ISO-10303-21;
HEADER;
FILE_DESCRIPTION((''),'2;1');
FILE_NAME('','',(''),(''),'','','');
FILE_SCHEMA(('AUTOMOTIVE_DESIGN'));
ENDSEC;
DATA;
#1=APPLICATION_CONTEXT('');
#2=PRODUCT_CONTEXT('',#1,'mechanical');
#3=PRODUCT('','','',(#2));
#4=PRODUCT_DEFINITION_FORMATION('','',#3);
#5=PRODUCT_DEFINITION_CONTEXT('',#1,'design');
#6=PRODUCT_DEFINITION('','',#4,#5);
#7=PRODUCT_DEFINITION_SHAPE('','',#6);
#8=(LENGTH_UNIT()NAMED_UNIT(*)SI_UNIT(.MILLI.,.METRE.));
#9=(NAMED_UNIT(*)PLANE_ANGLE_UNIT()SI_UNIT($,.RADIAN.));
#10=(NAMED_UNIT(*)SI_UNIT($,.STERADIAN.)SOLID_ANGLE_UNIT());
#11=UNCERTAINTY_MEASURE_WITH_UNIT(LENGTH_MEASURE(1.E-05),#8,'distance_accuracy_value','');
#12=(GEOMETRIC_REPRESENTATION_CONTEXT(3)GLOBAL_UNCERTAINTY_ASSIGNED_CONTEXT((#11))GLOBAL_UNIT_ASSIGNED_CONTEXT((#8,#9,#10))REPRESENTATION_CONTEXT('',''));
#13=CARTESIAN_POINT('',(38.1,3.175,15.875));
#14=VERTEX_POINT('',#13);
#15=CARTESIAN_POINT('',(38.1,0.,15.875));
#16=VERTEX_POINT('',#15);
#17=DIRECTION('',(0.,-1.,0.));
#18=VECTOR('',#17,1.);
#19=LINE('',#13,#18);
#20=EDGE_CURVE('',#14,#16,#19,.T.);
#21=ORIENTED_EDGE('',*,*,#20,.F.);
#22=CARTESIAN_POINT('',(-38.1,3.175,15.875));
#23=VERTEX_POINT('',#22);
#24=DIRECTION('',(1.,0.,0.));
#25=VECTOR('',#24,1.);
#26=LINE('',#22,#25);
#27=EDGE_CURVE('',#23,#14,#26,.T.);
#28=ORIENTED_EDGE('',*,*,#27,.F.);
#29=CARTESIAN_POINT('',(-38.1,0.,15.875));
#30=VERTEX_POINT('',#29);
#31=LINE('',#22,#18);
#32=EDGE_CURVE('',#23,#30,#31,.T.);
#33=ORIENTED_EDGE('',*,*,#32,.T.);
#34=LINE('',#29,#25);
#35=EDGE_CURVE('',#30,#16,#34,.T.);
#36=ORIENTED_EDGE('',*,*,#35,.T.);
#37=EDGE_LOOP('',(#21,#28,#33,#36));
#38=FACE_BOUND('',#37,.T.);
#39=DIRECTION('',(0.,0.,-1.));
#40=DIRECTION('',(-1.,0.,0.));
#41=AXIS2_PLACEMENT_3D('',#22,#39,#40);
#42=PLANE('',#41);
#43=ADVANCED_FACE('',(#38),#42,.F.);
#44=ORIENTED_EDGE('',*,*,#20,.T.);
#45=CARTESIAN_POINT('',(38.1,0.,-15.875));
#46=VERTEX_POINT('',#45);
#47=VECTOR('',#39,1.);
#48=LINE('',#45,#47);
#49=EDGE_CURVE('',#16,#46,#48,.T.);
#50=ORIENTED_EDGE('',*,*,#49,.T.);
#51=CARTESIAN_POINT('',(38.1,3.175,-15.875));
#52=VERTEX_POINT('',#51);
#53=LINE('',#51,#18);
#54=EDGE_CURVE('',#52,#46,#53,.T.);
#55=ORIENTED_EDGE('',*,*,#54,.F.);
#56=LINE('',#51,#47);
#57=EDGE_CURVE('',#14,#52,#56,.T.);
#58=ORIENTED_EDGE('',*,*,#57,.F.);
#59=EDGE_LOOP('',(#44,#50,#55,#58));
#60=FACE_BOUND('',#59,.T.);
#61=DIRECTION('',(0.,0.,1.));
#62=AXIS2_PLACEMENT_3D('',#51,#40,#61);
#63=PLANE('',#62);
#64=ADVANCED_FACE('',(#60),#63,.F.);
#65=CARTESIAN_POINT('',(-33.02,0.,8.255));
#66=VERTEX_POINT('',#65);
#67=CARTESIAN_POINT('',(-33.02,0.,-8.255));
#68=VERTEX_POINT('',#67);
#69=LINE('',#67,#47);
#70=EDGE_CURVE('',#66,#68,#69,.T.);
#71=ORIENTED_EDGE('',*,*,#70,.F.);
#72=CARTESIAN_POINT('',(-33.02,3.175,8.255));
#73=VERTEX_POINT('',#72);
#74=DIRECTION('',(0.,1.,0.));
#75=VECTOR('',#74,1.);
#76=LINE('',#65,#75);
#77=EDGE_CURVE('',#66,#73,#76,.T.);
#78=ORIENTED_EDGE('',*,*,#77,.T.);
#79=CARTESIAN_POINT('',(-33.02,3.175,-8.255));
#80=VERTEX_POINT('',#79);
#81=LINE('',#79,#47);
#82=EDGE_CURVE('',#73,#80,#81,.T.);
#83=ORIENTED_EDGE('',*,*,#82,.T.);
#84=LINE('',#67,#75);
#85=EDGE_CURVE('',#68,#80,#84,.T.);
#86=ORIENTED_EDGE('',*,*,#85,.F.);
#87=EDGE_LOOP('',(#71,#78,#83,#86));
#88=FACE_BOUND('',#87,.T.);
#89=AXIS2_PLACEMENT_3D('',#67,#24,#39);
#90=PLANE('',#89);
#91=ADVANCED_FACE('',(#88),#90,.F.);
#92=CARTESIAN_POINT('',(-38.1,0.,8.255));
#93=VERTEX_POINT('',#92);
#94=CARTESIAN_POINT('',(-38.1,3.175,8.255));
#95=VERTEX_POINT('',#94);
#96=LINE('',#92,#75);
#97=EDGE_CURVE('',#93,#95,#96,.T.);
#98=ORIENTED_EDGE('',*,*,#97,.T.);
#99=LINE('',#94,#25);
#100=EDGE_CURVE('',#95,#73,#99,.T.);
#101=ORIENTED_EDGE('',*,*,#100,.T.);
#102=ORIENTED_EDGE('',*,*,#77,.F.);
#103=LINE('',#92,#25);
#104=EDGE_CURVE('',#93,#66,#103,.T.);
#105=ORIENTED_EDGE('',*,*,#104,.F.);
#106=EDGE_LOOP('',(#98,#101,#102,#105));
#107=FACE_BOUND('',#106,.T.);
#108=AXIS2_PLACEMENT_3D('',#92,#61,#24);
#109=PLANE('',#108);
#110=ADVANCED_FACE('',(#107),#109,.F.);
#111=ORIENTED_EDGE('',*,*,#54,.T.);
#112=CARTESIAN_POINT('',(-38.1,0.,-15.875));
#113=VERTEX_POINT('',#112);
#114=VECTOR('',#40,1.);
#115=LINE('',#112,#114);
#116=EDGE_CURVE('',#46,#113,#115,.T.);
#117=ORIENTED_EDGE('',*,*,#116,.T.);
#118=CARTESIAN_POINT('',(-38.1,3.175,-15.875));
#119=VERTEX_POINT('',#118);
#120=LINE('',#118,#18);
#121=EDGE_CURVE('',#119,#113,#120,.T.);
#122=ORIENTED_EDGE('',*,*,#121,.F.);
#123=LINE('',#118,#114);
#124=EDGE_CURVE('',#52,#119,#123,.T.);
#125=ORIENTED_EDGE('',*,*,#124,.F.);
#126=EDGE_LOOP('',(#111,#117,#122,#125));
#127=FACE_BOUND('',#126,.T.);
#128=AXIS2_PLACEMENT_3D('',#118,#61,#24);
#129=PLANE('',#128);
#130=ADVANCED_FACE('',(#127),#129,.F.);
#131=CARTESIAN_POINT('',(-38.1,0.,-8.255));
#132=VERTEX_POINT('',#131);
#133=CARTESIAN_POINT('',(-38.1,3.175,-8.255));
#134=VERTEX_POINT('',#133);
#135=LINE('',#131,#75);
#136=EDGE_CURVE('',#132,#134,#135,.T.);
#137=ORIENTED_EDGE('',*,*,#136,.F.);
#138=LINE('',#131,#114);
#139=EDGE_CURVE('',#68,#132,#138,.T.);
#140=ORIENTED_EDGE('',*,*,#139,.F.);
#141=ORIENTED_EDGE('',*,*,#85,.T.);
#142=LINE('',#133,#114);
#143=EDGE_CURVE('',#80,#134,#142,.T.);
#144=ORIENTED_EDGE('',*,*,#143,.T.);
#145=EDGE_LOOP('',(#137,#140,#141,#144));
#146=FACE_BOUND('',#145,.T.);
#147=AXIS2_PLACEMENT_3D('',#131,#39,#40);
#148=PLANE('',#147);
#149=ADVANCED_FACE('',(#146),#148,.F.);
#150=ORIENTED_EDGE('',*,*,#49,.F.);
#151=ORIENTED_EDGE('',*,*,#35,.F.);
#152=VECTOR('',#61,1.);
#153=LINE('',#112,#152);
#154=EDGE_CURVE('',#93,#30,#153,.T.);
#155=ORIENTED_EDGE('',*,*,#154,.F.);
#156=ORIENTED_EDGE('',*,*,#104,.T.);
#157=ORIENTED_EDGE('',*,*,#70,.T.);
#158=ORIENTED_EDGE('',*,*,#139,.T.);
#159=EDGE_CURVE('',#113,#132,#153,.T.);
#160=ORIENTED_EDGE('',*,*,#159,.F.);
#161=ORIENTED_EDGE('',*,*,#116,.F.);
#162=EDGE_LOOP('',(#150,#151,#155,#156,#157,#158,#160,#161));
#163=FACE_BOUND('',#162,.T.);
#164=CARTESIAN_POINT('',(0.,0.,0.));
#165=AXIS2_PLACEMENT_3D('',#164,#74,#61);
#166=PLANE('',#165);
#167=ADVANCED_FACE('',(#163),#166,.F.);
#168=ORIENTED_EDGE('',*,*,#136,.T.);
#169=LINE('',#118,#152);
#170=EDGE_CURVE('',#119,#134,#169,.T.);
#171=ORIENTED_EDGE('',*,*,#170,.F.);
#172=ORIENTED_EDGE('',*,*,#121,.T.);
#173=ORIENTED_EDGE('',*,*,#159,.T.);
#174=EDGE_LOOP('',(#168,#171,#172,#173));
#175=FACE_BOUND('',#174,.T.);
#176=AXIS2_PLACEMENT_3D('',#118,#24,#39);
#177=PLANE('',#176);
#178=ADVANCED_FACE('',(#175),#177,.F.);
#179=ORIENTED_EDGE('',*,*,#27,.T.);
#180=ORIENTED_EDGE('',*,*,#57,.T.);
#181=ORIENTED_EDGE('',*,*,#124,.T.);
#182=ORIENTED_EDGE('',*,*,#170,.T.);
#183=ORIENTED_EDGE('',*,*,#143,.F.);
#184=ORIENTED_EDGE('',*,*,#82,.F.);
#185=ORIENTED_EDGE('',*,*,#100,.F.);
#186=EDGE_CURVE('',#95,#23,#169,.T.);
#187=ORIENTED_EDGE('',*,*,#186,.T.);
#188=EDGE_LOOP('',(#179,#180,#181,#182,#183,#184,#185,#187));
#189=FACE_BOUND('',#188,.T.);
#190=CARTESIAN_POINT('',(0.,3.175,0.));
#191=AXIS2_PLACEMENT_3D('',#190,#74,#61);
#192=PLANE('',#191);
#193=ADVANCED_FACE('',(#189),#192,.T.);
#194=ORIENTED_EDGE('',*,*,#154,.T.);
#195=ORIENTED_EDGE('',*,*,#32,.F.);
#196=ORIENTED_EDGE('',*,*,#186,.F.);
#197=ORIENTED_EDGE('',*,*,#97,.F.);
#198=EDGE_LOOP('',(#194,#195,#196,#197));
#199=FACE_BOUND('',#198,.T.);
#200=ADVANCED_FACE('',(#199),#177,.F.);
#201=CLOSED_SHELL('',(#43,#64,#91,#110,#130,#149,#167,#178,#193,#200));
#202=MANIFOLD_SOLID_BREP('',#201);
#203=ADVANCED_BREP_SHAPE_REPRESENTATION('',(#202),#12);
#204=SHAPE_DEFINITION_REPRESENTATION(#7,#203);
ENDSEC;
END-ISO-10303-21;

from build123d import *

# Parameters (mm, degrees)
SKETCH1_W           = 76.2
SKETCH1_H           = 31.75
BOSS_EXTRUDE1_DEPTH = 3.175
SKETCH2_W           = 5.08
SKETCH2_H           = 16.51
CUT_EXTRUDE1_DEPTH  = 3.175


with BuildPart() as part:
    # Sketch1 → Boss-Extrude1 (new body)
    with BuildSketch(Plane(origin=(0, 0, 0), x_dir=(1, 0, 0), z_dir=(0, 1, 0))):
        Rectangle(SKETCH1_W, SKETCH1_H)
    extrude(amount=BOSS_EXTRUDE1_DEPTH)

    # Sketch2 → Cut-Extrude1 (cut)
    with BuildSketch(Plane(origin=(0, 3.175, 0), x_dir=(1, 0, 0), z_dir=(0, 1, 0))):
        with Locations((-35.56, 0)):
            Rectangle(SKETCH2_W, SKETCH2_H)
    extrude(amount=-CUT_EXTRUDE1_DEPTH, mode=Mode.SUBTRACT)


solid = part.part
